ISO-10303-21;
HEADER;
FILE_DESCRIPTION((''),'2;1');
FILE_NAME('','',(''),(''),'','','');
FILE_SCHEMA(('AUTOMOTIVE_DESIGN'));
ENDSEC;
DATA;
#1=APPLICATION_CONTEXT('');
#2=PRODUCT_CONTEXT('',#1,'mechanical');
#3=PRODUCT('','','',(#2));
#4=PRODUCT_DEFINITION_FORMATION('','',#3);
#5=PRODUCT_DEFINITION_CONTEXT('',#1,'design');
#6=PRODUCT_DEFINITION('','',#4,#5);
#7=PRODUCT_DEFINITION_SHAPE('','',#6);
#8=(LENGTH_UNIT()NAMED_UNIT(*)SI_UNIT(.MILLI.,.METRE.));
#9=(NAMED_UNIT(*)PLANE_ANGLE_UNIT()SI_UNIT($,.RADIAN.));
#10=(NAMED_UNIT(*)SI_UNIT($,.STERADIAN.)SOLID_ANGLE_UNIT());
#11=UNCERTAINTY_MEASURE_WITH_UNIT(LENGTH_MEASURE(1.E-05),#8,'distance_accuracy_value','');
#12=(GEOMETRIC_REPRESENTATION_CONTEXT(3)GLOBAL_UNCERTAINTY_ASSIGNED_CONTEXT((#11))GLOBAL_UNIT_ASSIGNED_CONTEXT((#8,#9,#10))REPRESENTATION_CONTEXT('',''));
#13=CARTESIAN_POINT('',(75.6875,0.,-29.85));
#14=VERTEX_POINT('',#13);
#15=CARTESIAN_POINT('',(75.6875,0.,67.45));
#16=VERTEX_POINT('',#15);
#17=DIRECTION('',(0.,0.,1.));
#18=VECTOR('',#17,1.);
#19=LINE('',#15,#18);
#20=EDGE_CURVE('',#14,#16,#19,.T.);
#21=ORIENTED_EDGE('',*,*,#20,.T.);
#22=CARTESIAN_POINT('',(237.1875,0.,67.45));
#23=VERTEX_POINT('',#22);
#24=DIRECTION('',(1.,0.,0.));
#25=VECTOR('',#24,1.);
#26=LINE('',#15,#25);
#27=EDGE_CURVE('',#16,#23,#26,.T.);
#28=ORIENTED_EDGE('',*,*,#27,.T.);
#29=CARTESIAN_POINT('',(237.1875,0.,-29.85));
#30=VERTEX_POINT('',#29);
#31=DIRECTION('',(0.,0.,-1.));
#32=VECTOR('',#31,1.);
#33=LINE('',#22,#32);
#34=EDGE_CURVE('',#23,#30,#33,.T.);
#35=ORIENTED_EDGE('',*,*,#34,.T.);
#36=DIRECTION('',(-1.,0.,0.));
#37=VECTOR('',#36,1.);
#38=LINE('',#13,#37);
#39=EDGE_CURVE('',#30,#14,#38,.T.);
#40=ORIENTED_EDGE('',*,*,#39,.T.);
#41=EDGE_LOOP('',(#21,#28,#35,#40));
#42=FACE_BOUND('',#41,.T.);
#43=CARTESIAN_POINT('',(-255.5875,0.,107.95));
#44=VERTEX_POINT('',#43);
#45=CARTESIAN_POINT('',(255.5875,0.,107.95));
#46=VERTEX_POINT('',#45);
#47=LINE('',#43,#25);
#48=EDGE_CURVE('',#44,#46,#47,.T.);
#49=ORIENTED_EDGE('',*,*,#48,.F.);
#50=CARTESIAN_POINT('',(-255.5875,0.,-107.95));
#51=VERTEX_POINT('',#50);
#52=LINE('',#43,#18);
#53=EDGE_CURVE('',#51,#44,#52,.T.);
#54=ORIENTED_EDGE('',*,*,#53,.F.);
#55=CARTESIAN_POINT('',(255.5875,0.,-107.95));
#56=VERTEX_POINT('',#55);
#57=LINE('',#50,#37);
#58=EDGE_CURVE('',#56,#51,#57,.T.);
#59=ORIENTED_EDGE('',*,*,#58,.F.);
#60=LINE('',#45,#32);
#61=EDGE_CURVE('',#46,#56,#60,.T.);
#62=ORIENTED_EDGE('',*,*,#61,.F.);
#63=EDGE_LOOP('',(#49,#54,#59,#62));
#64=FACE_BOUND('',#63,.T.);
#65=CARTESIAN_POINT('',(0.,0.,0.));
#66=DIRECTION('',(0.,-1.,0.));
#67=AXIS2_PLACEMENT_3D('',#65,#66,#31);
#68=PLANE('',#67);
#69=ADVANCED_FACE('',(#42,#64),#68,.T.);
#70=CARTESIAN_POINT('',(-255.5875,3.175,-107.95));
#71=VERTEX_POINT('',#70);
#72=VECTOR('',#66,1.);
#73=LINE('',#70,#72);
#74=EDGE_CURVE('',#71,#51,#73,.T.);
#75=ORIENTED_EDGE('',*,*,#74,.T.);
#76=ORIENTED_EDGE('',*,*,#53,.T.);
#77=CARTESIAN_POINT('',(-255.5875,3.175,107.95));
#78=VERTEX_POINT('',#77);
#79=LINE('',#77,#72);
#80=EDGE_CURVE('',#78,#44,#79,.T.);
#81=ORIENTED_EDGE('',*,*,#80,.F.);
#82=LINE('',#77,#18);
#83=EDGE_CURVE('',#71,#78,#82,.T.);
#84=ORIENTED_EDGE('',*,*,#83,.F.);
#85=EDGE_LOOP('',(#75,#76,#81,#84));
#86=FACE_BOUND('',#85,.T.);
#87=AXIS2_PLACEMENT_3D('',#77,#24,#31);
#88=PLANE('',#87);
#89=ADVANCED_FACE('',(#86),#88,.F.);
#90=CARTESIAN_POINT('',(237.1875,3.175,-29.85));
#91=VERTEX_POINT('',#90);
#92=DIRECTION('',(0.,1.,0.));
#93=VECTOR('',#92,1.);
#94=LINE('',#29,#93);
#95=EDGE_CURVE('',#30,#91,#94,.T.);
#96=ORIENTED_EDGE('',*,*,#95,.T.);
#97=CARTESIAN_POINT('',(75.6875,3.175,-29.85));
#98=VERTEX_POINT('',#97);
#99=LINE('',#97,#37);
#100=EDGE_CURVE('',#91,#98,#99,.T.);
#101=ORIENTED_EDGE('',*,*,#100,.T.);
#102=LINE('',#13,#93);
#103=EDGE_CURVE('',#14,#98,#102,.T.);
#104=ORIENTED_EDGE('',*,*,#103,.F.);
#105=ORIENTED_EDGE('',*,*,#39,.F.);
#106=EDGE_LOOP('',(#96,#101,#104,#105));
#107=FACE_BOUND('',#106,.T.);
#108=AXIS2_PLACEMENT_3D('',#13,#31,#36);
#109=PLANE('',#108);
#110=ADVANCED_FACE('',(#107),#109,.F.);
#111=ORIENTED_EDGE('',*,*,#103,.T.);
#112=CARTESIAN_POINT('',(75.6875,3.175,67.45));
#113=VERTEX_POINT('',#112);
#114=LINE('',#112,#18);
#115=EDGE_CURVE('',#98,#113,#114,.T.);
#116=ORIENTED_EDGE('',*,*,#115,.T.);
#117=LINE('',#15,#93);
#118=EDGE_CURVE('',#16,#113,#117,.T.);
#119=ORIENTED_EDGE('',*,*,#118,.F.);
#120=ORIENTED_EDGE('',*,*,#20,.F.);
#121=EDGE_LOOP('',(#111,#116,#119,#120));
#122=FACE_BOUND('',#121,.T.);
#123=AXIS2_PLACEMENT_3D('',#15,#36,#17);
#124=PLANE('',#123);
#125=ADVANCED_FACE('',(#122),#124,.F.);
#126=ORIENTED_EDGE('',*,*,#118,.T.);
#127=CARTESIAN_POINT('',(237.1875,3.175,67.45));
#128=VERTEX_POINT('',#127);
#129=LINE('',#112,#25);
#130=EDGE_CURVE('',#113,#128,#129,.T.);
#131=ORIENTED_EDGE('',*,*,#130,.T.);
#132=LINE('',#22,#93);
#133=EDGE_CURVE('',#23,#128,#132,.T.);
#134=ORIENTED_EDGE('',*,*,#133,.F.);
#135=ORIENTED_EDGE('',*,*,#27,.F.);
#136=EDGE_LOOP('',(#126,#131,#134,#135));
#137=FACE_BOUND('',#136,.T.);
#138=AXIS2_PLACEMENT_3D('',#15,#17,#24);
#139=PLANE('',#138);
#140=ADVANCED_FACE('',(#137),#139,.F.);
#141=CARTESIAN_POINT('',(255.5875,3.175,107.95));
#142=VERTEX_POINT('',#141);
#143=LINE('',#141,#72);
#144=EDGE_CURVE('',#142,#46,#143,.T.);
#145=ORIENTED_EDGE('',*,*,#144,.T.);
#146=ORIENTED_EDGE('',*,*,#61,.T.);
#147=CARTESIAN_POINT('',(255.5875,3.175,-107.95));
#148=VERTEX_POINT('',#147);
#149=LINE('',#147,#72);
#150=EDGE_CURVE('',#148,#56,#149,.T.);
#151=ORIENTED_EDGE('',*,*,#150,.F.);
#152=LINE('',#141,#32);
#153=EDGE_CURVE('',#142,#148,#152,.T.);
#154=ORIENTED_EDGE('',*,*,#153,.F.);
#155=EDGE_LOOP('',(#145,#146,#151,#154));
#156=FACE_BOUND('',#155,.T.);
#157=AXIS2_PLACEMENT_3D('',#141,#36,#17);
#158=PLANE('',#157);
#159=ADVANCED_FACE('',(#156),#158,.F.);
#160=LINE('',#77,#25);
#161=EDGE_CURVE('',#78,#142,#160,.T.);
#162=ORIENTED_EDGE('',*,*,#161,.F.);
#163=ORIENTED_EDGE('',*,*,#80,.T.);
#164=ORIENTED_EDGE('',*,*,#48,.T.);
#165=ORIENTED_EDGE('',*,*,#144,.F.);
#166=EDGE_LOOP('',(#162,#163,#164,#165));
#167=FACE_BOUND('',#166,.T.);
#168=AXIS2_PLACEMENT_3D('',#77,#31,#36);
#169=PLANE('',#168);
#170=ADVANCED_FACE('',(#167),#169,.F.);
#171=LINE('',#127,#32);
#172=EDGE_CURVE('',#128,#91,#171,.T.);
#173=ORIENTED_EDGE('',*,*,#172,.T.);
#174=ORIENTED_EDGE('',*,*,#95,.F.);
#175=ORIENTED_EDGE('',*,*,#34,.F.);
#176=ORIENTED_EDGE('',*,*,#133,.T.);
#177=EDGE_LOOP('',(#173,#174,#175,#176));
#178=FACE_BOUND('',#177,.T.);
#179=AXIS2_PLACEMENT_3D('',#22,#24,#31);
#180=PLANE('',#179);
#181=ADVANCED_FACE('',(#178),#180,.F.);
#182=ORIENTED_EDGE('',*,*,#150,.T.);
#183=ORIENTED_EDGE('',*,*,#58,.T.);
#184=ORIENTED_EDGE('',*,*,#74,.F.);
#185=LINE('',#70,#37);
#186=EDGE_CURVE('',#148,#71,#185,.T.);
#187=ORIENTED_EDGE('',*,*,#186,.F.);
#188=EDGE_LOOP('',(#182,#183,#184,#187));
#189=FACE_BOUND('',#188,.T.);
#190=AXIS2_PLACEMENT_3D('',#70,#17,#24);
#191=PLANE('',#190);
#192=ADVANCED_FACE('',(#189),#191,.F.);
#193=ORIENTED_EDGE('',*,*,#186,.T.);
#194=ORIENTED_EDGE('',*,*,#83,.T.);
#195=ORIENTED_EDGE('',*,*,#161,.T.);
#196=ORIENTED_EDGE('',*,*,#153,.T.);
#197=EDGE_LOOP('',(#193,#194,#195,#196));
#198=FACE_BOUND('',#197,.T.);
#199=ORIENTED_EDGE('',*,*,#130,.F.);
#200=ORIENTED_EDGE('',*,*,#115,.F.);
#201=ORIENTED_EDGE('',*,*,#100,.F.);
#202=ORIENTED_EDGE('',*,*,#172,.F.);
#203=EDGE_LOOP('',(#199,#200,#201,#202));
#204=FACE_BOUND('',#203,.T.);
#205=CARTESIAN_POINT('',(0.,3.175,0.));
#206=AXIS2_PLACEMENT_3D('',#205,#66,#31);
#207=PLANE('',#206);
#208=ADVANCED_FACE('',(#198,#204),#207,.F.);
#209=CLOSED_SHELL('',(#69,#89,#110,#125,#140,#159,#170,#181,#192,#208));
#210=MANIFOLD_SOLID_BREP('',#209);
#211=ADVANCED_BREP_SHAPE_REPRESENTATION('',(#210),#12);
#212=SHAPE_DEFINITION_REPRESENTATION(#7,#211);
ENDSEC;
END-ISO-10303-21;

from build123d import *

# Parameters (mm, degrees)
SKETCH1_W           = 511.175
SKETCH1_H           = 215.9
BOSS_EXTRUDE1_DEPTH = 3.175
SKETCH3_W           = 161.5
SKETCH3_H           = 97.3
CUT_EXTRUDE1_DEPTH  = 278.467571585


with BuildPart() as part:
    # Sketch1 → Boss-Extrude1 (new body)
    with BuildSketch(Plane(origin=(0, 0, 0), x_dir=(1, 0, 0), z_dir=(0, 1, 0))):
        Rectangle(SKETCH1_W, SKETCH1_H)
    extrude(amount=BOSS_EXTRUDE1_DEPTH)

    # Sketch3 → Cut-Extrude1 (cut, through all)
    with BuildSketch(Plane(origin=(0, 3.175, 0), x_dir=(1, 0, 0), z_dir=(0, 1, 0))):
        with Locations((156.4375, -18.8)):
            Rectangle(SKETCH3_W, SKETCH3_H)
    extrude(amount=-CUT_EXTRUDE1_DEPTH, mode=Mode.SUBTRACT)


solid = part.part
